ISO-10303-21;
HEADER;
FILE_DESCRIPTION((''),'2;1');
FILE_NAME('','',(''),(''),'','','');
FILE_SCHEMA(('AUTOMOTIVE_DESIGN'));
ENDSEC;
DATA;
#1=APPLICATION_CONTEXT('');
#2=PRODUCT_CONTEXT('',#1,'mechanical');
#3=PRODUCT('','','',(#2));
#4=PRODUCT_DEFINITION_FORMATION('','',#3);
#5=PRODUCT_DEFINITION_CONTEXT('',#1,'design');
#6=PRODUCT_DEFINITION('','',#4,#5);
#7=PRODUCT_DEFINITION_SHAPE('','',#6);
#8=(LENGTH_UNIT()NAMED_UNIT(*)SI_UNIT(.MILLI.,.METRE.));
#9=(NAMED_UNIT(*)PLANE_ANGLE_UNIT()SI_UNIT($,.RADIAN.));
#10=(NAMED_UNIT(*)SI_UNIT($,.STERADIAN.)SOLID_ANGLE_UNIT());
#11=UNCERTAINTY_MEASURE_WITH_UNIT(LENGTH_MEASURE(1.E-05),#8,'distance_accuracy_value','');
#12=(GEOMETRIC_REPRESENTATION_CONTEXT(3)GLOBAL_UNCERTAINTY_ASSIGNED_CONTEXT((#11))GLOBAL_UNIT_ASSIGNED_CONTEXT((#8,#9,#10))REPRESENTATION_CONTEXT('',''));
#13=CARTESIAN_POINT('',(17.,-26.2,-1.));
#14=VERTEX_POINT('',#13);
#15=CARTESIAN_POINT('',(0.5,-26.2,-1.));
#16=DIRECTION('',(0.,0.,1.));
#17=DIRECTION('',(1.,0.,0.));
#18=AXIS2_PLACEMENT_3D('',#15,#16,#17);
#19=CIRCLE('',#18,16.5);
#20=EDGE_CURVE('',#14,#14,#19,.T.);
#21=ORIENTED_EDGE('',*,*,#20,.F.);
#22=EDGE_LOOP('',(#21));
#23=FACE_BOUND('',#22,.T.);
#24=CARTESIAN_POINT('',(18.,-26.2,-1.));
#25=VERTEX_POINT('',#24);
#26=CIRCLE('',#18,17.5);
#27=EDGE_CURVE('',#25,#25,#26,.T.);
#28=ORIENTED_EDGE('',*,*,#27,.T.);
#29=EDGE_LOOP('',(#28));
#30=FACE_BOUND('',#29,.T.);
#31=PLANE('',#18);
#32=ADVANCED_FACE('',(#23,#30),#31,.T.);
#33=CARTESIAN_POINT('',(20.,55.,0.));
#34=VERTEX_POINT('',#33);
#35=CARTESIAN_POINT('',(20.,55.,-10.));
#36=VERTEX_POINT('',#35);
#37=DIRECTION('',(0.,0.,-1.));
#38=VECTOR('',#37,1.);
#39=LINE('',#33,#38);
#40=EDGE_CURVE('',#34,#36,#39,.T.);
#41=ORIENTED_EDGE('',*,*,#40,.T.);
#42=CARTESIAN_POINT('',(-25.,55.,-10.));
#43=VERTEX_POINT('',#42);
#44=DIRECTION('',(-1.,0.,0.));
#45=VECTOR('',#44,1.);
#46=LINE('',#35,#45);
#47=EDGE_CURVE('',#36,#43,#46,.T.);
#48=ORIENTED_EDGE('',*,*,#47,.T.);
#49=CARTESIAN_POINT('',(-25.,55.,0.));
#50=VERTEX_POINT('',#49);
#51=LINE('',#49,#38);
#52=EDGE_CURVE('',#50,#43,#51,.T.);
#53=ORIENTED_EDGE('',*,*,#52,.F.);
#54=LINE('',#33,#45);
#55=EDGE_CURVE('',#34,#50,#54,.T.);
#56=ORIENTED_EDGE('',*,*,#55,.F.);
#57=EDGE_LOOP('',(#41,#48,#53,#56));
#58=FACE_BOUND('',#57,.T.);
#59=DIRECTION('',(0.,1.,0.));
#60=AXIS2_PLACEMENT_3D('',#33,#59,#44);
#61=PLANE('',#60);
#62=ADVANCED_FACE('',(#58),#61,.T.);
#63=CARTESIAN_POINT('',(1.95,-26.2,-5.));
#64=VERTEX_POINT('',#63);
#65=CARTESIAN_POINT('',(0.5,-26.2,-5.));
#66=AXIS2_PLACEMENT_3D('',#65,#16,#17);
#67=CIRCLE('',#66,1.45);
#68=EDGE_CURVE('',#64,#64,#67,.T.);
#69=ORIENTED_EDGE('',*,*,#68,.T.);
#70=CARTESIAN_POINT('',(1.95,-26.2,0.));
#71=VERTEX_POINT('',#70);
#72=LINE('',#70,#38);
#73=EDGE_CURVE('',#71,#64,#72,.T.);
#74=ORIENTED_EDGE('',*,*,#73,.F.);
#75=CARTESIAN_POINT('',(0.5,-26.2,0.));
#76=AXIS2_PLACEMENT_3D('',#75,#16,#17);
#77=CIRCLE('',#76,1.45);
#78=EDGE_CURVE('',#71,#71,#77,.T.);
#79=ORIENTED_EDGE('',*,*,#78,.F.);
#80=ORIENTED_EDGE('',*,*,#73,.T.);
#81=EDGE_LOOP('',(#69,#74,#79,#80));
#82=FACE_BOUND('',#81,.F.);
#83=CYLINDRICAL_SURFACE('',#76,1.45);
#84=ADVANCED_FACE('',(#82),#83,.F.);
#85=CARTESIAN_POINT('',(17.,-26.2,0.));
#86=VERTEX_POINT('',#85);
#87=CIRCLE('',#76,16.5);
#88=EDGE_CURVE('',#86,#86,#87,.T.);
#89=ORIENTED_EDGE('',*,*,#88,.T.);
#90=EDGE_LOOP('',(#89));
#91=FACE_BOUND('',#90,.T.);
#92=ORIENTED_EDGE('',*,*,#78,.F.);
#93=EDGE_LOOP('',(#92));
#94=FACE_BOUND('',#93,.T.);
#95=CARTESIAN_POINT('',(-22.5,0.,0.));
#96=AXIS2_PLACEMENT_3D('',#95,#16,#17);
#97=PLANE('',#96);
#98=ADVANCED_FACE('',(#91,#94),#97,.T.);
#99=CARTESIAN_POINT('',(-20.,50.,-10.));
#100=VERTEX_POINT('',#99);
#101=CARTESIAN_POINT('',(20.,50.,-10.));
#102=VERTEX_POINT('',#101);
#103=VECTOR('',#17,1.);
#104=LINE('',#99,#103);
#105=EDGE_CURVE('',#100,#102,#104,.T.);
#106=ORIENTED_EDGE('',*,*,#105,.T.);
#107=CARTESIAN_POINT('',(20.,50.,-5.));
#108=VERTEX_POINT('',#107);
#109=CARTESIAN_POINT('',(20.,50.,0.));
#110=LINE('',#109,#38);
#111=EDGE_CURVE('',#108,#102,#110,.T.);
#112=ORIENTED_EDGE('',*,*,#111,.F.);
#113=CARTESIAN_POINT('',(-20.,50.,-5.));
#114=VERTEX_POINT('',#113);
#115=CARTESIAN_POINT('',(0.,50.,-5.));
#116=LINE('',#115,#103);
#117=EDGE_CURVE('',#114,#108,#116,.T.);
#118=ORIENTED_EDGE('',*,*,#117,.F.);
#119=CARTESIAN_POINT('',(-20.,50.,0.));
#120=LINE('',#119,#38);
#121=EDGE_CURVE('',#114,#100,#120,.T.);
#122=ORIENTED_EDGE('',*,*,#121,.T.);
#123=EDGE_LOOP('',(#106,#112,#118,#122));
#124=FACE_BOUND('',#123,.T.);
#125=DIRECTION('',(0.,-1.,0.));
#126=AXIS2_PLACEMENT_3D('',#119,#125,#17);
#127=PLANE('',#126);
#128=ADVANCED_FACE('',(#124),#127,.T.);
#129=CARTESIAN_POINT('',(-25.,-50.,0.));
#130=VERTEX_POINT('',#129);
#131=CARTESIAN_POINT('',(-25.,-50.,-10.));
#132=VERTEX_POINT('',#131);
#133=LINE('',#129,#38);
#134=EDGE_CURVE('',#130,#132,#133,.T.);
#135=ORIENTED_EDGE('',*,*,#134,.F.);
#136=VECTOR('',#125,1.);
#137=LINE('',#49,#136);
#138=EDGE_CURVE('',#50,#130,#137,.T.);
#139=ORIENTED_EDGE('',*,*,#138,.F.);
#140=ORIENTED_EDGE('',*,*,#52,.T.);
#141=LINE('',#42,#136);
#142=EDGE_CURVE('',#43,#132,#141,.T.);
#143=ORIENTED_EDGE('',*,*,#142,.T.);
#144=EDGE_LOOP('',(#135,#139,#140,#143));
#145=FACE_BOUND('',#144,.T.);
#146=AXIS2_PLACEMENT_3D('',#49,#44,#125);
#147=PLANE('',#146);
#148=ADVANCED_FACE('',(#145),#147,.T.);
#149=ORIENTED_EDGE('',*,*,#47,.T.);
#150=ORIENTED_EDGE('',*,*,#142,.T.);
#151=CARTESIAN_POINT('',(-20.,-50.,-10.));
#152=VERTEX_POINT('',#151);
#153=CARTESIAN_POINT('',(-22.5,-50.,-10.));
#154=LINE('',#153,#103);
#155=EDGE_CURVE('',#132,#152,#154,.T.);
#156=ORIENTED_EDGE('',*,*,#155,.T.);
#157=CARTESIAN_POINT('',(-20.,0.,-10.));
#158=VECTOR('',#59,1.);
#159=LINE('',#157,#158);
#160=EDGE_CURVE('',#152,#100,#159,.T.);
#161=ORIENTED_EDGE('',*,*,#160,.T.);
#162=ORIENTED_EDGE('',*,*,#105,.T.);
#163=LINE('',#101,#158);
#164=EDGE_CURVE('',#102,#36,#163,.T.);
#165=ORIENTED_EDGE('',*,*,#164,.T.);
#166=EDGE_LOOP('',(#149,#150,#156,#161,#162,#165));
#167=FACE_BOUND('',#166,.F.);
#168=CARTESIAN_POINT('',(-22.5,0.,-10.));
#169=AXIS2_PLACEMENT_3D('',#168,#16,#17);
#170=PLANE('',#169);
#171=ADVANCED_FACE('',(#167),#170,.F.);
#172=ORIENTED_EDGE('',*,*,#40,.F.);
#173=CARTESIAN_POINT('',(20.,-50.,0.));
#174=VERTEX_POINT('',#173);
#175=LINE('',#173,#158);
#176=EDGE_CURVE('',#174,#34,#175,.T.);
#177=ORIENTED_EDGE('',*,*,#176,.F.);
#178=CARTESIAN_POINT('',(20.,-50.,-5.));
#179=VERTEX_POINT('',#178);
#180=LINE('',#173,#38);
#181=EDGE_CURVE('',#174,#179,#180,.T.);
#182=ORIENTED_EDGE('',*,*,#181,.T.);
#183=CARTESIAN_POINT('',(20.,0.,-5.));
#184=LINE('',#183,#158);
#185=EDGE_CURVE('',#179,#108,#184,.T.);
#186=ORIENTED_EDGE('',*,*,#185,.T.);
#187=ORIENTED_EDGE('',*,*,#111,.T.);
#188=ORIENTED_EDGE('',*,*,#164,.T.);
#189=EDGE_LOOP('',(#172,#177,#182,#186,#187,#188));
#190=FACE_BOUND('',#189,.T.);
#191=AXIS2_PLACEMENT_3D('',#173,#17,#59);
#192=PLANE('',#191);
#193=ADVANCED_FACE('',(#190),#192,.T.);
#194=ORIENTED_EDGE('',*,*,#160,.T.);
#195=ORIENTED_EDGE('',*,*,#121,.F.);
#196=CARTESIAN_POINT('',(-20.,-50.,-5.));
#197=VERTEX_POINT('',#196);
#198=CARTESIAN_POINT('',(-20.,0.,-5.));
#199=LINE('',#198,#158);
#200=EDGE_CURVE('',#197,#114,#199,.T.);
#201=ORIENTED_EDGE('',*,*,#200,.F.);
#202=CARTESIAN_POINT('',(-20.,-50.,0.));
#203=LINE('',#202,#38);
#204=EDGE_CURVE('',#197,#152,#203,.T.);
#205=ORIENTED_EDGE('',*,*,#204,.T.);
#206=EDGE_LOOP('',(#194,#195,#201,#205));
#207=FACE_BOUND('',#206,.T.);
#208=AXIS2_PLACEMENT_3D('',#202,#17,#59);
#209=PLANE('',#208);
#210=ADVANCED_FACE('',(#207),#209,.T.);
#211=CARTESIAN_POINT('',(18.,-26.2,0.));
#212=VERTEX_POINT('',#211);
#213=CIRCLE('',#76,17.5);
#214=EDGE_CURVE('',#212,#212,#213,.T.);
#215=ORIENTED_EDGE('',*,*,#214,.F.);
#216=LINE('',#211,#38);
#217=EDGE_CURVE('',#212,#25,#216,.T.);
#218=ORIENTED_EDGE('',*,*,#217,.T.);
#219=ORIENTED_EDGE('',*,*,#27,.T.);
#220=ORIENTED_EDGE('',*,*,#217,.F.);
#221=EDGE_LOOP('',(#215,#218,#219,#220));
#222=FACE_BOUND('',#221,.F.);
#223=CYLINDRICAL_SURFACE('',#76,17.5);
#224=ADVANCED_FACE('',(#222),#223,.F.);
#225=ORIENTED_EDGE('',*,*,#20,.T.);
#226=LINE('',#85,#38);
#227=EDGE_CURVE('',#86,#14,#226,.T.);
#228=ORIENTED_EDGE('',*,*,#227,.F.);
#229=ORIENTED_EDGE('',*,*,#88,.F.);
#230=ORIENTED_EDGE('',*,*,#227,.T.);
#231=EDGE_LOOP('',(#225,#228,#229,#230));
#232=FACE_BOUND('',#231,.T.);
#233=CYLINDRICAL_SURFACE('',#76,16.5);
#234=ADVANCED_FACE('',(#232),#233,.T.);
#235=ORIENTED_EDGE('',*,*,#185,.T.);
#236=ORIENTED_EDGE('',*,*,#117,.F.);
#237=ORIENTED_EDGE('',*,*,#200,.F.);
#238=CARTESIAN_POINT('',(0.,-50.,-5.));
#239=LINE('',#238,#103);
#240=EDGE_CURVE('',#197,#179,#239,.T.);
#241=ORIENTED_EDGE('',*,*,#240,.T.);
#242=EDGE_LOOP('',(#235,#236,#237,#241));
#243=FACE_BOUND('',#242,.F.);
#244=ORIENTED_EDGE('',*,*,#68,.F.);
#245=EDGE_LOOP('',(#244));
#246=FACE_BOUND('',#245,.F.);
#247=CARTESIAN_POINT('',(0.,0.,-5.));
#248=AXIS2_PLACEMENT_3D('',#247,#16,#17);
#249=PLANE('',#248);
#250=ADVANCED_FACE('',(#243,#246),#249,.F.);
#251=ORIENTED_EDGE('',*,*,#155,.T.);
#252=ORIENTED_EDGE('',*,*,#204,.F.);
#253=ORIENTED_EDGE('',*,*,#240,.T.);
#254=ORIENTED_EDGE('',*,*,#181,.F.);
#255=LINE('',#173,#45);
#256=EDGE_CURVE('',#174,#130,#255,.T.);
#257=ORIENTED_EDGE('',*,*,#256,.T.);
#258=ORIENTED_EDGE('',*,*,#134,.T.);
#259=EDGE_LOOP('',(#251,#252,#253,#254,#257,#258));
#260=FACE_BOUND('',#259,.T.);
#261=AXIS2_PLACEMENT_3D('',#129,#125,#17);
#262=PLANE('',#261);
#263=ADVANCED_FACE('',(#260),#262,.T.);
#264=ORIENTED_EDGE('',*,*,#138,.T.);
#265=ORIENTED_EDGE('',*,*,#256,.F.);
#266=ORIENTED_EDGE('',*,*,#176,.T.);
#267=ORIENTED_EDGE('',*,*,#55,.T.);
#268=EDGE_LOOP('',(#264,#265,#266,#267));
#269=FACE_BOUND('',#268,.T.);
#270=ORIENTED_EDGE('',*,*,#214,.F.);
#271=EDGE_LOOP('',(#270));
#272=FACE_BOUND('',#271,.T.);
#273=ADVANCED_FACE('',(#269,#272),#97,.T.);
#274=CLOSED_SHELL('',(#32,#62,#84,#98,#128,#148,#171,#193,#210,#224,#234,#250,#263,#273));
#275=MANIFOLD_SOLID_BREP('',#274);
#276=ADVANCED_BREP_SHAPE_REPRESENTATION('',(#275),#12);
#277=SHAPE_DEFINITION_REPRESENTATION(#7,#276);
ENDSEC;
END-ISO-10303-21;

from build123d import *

# Parameters (mm, degrees)
F0_W     = 40
F0_H     = 100
F0_R     = 17.5
F0_R_2   = 1.45
F1_DEPTH = 5
F2_W     = 5
F2_H     = 100
F3_DEPTH = 10
F4_R     = 17.5
F4_R_2   = 16.5
F5_DEPTH = 1


with BuildPart() as f1:
    # F0 (on Top) → F1 (new body)
    with BuildSketch(Plane.XY):
        Rectangle(F0_W, F0_H)
        with Locations((0.5, -26.2)):
            Circle(F0_R, mode=Mode.SUBTRACT)
        with Locations((0.5, -26.2)):
            Circle(F0_R)
        with Locations((0.5, -26.2)):
            Circle(F0_R_2, mode=Mode.SUBTRACT)
    extrude(amount=-F1_DEPTH)

    # F2 (on face) → F3 (join)
    with BuildSketch(Plane.XY):
        with Locations((-22.5, 0)):
            Rectangle(F2_W, F2_H)
        Polygon((-25, 50), (-20, 50), (20, 50), (20, 55), (-25, 55), align=None)
    extrude(amount=-F3_DEPTH)

    # F4 (on face) → F5 (cut)
    with BuildSketch(Plane.XY):
        with Locations((0.5, -26.2)):
            Circle(F4_R)
        with Locations((0.5, -26.2)):
            Circle(F4_R_2, mode=Mode.SUBTRACT)
    extrude(amount=-F5_DEPTH, mode=Mode.SUBTRACT)


solid = f1.part
